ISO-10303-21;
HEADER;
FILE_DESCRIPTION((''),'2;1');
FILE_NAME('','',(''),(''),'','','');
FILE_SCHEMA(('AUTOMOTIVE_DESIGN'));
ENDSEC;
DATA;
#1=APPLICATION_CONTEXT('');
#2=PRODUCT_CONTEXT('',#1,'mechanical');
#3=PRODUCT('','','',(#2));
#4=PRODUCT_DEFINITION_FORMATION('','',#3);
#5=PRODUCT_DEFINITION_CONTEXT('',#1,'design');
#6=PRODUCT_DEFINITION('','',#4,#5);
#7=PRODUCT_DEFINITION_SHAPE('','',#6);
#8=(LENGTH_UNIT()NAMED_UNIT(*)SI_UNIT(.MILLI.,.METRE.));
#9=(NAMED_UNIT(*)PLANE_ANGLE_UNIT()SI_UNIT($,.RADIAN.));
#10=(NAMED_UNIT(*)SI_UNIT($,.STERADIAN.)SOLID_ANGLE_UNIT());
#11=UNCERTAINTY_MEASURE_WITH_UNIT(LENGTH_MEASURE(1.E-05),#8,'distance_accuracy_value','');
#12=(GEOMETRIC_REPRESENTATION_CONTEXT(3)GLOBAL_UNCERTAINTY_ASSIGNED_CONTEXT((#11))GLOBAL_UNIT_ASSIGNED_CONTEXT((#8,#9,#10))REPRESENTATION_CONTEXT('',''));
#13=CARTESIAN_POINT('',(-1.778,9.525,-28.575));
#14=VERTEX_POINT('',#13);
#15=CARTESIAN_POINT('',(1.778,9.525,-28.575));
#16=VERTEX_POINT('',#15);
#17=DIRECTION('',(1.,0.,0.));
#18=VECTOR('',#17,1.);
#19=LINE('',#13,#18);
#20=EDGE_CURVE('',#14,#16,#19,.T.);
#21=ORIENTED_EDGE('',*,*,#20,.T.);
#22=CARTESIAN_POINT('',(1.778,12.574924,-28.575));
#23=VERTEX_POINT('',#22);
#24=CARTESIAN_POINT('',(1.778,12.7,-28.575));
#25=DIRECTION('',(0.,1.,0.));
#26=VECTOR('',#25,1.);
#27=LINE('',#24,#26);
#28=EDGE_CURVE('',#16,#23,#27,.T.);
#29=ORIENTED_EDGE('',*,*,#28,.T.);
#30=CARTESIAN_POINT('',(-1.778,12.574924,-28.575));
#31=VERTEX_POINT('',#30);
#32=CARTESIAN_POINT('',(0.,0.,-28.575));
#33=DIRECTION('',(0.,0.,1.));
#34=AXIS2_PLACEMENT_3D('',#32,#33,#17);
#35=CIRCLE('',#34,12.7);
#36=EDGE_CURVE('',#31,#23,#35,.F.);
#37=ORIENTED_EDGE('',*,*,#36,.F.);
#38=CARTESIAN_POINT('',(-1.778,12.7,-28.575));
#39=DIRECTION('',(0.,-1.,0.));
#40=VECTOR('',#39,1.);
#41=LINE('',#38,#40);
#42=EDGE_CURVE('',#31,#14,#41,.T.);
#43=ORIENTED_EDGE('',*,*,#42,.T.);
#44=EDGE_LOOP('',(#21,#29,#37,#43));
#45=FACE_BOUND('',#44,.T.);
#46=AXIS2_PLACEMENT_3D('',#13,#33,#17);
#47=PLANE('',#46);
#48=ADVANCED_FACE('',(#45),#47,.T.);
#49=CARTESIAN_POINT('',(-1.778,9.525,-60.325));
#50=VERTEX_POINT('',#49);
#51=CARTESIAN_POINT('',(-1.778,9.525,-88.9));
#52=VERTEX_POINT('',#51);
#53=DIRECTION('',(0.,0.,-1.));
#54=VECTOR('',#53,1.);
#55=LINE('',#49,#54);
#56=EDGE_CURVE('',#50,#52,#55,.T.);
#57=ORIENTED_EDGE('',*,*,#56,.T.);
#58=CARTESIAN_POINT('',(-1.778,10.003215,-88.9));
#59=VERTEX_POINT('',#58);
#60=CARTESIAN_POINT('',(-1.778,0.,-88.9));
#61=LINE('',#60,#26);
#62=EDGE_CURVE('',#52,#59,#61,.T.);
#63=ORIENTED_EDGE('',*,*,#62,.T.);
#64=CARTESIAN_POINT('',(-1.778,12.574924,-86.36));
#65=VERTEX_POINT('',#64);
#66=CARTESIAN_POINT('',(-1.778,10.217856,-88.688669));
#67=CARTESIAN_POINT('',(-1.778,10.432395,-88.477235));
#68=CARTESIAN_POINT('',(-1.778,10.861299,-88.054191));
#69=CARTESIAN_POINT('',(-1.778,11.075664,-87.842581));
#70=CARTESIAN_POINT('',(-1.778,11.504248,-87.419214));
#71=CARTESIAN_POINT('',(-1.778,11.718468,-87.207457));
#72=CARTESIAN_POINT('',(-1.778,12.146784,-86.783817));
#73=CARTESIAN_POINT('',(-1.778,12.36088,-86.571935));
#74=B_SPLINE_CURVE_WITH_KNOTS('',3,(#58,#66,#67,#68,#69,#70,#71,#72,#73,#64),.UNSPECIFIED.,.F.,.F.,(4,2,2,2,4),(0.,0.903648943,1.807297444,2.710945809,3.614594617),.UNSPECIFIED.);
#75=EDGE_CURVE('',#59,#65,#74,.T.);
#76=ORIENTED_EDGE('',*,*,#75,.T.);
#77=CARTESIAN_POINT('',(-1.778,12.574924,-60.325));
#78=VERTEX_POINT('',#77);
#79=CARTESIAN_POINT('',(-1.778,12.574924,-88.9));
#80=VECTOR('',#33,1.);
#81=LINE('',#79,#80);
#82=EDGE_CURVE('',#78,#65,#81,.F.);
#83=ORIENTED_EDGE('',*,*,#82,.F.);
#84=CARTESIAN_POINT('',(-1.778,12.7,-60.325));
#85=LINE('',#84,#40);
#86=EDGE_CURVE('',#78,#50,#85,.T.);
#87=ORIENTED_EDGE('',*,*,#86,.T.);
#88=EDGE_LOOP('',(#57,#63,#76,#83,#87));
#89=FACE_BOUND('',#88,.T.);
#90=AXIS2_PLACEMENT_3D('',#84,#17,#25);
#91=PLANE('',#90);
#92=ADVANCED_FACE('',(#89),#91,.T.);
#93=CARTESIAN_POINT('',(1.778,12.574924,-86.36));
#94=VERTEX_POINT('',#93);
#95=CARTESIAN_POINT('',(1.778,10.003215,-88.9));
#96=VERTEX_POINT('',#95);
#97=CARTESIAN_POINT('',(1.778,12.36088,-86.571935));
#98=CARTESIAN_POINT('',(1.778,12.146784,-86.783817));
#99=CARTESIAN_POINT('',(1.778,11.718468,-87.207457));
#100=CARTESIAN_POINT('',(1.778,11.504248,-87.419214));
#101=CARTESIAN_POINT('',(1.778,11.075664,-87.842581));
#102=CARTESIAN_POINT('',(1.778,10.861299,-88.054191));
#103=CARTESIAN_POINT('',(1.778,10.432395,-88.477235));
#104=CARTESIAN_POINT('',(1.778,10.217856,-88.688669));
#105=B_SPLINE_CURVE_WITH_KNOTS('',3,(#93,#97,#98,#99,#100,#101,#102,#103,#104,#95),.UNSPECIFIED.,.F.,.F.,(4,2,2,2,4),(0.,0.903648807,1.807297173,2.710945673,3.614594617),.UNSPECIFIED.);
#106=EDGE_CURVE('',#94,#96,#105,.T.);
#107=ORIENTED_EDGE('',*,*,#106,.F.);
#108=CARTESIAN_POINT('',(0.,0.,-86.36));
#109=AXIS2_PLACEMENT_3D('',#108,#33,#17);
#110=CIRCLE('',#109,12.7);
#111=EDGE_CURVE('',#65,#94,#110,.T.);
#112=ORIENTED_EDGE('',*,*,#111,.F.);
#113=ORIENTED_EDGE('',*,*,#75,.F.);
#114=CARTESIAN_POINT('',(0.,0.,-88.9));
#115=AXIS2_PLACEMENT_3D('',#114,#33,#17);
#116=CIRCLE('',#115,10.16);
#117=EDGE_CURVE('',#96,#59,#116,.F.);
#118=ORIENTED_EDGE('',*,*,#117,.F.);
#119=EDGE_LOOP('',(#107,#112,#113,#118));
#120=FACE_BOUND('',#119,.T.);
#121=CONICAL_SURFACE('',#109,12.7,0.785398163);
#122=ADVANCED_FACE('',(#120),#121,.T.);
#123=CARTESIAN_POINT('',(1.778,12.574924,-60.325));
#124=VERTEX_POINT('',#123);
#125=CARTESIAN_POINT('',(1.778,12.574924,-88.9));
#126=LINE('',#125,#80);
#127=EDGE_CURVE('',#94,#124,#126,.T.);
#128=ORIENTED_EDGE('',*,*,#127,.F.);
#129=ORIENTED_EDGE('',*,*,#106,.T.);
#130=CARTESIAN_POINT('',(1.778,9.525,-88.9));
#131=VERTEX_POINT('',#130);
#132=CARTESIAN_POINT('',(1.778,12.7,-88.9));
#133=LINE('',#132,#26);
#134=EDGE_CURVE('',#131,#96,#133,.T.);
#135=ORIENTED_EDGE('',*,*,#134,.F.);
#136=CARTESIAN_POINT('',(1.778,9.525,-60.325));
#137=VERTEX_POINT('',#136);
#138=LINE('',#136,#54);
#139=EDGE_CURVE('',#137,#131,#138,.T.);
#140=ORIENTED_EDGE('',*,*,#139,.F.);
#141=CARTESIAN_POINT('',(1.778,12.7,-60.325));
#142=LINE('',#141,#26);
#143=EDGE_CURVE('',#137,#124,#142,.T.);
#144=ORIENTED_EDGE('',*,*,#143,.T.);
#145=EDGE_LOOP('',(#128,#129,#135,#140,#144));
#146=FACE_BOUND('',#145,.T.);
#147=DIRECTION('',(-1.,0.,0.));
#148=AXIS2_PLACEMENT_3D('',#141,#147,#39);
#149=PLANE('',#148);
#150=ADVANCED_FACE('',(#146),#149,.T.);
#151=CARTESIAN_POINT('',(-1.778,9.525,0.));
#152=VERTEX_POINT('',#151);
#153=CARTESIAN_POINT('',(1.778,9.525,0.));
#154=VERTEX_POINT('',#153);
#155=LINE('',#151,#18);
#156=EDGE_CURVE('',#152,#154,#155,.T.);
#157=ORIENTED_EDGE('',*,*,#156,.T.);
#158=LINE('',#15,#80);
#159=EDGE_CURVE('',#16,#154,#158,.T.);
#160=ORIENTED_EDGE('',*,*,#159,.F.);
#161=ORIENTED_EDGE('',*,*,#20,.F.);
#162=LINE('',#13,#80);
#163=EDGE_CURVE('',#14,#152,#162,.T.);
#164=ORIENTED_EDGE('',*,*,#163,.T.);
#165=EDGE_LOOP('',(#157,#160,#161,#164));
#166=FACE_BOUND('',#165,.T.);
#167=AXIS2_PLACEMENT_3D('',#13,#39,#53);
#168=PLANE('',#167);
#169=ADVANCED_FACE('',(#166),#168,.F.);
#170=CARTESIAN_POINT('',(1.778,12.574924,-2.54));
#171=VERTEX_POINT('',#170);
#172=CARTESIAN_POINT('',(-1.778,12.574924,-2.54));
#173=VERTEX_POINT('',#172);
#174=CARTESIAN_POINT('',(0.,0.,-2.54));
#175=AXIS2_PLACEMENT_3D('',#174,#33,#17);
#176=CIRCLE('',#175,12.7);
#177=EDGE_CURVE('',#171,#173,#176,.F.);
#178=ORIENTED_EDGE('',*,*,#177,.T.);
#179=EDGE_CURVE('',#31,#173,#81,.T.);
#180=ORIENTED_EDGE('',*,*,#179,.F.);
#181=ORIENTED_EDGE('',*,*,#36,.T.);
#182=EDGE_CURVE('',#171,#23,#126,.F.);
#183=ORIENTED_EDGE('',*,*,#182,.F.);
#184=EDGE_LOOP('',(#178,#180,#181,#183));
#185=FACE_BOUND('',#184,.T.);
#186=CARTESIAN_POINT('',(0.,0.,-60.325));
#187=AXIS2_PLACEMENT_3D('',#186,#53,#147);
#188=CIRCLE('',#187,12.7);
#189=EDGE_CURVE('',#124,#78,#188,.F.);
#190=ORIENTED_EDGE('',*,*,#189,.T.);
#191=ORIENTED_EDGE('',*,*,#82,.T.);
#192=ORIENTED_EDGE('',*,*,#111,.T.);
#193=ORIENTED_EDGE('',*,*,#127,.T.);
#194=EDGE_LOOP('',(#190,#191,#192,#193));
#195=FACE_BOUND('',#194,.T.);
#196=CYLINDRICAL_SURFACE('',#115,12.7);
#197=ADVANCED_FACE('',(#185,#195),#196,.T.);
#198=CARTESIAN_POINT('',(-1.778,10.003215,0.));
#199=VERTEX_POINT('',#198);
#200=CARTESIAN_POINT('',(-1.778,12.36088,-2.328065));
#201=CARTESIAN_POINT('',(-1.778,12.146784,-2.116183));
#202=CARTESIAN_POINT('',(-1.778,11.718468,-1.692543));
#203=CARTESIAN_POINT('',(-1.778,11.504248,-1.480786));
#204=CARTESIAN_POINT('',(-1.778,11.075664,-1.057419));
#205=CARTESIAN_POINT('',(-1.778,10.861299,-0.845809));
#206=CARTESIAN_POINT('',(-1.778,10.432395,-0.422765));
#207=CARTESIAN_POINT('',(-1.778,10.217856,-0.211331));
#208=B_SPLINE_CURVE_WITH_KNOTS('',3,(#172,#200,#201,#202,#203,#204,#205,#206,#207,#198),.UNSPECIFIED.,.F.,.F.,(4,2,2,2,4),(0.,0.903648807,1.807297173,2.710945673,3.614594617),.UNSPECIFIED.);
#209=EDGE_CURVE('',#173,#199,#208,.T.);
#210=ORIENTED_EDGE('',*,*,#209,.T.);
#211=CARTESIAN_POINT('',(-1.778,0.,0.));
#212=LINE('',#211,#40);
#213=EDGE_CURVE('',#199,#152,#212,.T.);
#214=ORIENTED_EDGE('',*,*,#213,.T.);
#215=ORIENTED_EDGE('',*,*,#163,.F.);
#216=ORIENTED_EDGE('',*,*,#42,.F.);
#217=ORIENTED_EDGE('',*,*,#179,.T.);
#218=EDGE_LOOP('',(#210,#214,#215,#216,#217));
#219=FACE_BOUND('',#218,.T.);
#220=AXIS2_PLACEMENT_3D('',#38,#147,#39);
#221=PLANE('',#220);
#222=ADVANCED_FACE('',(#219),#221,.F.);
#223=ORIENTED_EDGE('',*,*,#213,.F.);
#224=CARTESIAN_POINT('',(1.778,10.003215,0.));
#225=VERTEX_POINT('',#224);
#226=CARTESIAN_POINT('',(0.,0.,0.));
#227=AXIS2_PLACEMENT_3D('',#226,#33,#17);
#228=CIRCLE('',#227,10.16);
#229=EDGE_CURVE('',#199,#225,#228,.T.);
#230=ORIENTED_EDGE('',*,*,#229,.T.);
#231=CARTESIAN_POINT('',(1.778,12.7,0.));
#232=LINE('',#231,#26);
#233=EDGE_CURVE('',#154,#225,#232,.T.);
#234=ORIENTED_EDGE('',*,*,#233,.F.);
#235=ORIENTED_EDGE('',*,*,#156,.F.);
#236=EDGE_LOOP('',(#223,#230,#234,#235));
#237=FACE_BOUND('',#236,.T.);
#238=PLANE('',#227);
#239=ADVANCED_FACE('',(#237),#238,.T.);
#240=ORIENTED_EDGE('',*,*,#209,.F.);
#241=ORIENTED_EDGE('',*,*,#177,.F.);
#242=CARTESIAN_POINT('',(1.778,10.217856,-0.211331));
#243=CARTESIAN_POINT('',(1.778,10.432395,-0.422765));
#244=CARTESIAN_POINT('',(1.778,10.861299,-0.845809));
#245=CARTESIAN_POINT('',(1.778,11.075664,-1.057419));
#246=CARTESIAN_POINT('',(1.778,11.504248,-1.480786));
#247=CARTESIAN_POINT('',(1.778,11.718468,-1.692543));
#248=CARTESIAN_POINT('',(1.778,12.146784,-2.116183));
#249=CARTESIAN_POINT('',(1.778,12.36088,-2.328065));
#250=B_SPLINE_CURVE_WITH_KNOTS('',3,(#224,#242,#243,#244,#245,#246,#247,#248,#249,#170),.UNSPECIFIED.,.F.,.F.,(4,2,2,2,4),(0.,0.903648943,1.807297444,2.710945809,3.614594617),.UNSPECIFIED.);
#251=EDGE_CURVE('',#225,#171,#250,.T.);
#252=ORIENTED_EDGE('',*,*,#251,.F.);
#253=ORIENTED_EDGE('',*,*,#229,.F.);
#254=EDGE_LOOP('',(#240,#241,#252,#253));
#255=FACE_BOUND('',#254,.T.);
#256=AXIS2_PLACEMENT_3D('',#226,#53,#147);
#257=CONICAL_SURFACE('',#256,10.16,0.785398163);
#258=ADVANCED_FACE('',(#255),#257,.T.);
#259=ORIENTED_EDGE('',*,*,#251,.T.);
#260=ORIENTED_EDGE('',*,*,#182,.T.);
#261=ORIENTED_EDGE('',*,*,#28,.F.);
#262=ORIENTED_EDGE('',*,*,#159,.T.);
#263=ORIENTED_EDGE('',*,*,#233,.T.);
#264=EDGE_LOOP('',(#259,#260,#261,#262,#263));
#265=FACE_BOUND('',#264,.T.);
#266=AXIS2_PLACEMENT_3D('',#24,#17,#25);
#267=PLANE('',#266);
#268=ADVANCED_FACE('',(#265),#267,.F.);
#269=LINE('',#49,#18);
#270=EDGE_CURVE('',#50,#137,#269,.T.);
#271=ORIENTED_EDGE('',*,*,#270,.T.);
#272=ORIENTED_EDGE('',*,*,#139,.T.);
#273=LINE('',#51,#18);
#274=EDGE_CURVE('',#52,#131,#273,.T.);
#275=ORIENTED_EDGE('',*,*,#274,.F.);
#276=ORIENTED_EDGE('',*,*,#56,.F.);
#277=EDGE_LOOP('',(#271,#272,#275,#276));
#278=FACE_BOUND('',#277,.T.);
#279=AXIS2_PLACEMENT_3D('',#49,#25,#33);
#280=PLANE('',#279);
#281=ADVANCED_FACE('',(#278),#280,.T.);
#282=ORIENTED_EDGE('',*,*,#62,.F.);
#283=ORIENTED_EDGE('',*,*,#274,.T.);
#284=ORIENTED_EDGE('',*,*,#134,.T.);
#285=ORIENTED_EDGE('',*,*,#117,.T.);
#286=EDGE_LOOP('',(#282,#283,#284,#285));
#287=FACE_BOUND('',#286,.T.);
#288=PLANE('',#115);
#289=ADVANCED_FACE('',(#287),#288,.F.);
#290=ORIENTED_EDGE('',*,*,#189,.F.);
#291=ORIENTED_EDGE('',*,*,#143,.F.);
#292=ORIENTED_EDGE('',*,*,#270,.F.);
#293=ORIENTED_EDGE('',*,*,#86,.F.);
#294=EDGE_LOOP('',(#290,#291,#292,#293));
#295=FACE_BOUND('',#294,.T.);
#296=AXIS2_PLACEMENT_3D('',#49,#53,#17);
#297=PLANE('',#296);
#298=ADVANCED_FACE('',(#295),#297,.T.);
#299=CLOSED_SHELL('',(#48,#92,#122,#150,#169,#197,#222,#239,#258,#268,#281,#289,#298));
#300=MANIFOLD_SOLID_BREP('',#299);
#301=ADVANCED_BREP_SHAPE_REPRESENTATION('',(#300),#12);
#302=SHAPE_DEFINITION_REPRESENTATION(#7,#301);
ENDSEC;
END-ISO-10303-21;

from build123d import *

# Parameters (mm, degrees)
SKETCH1_R      = 12.7
EXTRUDE1_DEPTH = 88.9
SKETCH2_W      = 3.556
SKETCH2_H      = 3.175
EXTRUDE2_DEPTH = 28.575
CHAMFER1_SIZE  = 2.54
CHAMFER2_SIZE  = 2.54


with BuildPart() as part:
    # Sketch1 → Extrude1 (new body)
    with BuildSketch(Plane.XY):
        Circle(SKETCH1_R)
    extrude(amount=-EXTRUDE1_DEPTH)

    # Sketch2 → Extrude2 (cut)
    with BuildSketch(Plane.XY):
        with Locations((0, 11.1125)):
            Rectangle(SKETCH2_W, SKETCH2_H)
    extrude2 = extrude(amount=-EXTRUDE2_DEPTH, mode=Mode.SUBTRACT)

    # Chamfer1
    chamfer1_edges = [part.edges().sort_by_distance(p)[0] for p in [
        (-8.327946926, -9.588289733, 0),
    ]]
    chamfer(chamfer1_edges, length=CHAMFER1_SIZE)

    # Mirror5: Extrude2 across plane
    add(extrude2.mirror(Plane.XY.offset(-44.45)), mode=Mode.SUBTRACT)

    # Chamfer2
    chamfer2_edges = [part.edges().sort_by_distance(p)[0] for p in [
        (-8.327946926, -9.588289733, -88.9),
    ]]
    chamfer(chamfer2_edges, length=CHAMFER2_SIZE)


solid = part.part
